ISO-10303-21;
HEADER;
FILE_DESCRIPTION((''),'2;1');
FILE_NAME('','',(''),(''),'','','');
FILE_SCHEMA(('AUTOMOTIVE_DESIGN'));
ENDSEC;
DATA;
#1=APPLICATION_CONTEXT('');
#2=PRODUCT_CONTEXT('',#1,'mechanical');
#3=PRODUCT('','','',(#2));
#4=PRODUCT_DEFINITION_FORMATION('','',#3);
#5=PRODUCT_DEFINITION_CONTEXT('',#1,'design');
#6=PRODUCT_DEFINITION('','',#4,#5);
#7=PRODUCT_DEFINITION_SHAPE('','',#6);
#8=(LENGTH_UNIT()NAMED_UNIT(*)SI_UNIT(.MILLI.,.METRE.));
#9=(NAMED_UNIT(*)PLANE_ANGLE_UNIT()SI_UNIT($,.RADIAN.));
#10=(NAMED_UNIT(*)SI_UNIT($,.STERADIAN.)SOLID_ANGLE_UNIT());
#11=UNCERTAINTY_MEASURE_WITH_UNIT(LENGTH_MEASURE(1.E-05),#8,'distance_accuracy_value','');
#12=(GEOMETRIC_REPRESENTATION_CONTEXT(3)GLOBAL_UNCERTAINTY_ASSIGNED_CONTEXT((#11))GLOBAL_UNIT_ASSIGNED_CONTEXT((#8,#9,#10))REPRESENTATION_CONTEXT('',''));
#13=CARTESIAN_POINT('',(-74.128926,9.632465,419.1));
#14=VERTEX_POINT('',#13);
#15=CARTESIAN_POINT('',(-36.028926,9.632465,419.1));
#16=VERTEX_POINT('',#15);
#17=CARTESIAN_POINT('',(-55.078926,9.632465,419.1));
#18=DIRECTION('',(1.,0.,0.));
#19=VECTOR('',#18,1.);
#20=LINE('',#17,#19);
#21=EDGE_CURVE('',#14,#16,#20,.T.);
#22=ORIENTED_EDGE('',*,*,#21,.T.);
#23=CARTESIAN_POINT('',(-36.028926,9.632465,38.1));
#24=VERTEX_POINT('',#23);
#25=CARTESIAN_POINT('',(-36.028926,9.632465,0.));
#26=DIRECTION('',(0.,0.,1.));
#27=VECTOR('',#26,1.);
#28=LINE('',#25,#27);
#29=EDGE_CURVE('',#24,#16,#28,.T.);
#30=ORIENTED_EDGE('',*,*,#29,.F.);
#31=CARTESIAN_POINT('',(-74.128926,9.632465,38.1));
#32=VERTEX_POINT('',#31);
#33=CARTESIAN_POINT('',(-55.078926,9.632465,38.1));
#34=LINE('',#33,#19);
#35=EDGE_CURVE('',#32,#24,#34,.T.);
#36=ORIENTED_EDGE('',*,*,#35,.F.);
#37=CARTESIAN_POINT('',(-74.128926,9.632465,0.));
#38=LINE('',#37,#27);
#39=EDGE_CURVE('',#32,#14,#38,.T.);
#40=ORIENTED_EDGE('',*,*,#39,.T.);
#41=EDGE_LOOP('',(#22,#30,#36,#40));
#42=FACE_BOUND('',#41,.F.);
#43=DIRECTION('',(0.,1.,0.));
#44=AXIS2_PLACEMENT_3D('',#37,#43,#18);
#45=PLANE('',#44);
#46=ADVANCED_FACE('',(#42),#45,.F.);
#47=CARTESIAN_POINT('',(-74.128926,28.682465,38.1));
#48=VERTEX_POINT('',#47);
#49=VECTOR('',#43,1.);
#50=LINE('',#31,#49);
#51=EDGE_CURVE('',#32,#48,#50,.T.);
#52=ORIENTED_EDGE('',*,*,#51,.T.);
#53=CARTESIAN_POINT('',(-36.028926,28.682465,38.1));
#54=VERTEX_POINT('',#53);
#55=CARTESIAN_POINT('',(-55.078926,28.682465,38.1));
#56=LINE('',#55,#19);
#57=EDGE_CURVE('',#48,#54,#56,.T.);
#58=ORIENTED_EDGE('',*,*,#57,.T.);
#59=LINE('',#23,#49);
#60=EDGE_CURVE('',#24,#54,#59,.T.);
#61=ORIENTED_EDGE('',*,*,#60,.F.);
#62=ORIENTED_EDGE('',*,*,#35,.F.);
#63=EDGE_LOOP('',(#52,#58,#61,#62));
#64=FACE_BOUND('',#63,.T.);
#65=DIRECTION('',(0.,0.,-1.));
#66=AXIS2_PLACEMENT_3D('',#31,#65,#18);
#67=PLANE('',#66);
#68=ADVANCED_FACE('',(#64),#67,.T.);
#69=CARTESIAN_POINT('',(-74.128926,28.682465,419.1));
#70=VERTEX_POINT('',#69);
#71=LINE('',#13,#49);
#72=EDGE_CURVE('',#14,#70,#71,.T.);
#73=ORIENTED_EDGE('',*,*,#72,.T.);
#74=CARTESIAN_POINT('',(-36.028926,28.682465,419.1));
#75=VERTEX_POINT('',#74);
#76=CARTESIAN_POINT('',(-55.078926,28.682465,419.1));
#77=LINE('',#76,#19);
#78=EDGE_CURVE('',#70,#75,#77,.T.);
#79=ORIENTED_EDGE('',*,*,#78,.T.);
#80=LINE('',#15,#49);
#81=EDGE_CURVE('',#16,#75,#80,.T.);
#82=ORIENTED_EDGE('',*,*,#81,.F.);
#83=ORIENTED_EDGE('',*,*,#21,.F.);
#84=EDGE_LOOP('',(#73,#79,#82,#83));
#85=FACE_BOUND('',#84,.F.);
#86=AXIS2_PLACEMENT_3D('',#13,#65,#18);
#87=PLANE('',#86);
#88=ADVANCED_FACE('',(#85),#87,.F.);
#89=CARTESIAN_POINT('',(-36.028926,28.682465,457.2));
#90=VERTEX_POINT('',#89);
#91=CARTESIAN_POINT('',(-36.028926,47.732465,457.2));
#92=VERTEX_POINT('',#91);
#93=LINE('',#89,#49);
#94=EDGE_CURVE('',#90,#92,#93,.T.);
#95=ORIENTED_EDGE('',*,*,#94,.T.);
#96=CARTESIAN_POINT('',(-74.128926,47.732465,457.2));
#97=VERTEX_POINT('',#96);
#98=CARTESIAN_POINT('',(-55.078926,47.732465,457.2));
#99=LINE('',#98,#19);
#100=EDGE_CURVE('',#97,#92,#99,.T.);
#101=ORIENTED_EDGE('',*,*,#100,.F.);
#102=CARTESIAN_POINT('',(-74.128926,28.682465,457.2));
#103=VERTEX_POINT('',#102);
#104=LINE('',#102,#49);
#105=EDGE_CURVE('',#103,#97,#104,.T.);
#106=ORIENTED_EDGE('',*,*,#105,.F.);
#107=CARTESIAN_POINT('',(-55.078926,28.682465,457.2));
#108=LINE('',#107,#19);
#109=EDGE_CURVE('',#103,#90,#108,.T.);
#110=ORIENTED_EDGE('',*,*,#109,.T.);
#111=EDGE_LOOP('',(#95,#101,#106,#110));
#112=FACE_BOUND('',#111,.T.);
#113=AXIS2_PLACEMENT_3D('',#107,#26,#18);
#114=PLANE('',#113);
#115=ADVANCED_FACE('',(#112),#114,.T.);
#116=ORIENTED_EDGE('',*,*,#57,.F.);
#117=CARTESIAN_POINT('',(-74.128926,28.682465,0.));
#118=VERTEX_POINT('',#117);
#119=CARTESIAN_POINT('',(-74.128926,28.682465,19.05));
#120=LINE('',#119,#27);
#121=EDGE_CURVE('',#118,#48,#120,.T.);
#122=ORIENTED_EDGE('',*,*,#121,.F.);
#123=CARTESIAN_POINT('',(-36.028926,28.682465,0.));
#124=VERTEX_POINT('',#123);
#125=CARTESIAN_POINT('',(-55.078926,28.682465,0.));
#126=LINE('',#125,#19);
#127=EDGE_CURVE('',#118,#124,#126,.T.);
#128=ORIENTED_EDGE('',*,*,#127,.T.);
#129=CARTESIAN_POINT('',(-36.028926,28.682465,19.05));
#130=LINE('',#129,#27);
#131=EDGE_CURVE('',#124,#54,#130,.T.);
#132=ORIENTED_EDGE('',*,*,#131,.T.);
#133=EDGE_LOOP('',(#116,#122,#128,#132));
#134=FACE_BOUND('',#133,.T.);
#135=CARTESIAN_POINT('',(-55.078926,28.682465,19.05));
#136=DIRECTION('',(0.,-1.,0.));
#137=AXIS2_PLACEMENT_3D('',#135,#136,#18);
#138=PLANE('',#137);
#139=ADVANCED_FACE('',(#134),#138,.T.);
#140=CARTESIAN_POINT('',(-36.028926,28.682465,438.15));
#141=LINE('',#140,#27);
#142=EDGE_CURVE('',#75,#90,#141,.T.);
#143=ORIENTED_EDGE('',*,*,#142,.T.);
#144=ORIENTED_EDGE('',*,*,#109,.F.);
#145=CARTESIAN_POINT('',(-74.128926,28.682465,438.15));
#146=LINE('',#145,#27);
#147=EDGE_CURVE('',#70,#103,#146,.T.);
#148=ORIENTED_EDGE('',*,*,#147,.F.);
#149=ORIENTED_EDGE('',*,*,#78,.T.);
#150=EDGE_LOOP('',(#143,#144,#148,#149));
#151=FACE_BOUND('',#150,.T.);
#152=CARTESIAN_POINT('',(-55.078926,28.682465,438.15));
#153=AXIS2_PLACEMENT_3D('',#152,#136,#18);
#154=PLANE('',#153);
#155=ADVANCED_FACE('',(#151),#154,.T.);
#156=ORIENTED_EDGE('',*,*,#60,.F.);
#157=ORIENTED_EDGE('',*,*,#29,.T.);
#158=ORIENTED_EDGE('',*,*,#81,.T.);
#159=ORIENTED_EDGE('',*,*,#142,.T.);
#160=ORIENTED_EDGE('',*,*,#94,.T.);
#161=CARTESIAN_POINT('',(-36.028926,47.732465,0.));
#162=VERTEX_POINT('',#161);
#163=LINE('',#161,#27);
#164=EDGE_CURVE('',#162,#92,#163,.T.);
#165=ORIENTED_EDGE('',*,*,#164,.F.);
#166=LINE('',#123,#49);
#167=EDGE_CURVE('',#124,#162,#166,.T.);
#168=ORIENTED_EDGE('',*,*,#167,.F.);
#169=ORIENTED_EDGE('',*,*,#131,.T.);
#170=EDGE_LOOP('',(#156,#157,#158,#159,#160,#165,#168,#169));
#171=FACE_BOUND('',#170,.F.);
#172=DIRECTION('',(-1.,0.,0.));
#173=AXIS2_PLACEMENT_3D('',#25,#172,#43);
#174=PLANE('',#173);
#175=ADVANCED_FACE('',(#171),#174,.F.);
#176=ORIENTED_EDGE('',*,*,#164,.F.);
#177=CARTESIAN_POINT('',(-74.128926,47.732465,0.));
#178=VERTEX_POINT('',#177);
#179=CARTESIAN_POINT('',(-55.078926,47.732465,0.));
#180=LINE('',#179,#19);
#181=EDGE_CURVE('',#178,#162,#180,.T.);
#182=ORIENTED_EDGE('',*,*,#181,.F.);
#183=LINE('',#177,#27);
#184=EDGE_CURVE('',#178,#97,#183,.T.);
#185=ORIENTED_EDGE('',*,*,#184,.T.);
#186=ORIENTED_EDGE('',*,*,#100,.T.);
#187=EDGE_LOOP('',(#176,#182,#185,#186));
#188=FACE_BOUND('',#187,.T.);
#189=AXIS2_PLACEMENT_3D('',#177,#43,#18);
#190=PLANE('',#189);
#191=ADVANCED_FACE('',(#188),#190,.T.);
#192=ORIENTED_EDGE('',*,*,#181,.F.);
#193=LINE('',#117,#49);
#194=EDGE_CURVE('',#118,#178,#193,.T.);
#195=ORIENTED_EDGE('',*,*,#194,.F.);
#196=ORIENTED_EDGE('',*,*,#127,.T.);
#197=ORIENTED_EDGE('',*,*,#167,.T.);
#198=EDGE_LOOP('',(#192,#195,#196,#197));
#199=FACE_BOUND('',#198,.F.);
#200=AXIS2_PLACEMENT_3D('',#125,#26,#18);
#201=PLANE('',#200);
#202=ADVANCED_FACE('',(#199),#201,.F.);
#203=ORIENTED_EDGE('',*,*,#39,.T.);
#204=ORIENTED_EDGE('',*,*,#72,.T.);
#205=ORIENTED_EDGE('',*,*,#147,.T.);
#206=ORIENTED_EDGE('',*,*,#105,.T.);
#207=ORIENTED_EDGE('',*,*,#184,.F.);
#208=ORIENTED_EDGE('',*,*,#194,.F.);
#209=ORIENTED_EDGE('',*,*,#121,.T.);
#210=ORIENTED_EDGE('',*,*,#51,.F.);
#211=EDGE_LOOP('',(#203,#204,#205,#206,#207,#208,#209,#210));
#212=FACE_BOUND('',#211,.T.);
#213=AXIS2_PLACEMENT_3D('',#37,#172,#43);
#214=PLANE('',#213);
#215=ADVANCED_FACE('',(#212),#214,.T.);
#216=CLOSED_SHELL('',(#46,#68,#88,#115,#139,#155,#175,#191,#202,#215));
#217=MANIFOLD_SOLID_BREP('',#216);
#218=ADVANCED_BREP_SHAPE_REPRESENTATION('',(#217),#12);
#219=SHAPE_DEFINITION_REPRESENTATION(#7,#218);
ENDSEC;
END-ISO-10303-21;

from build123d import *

# Parameters (mm, degrees)
F0_W     = 38.1
F0_H     = 38.1
F1_DEPTH = 457.2
F2_W     = 38.1
F2_H     = 38.1
F3_DEPTH = 19.05


with BuildPart() as f1:
    # F0 (on Top) → F1 (new body)
    with BuildSketch(Plane.XY):
        with Locations((-55.078926, 28.682465)):
            Rectangle(F0_W, F0_H)
    extrude(amount=F1_DEPTH)

    # F2 (on face) → F3 (cut)
    with BuildSketch(Plane.XZ.offset(-9.632465)):
        with Locations((-55.078926, 19.05)):
            Rectangle(F2_W, F2_H)
        with Locations((-55.078926, 438.15)):
            Rectangle(F2_W, F2_H)
    extrude(amount=-F3_DEPTH, mode=Mode.SUBTRACT)


solid = f1.part
